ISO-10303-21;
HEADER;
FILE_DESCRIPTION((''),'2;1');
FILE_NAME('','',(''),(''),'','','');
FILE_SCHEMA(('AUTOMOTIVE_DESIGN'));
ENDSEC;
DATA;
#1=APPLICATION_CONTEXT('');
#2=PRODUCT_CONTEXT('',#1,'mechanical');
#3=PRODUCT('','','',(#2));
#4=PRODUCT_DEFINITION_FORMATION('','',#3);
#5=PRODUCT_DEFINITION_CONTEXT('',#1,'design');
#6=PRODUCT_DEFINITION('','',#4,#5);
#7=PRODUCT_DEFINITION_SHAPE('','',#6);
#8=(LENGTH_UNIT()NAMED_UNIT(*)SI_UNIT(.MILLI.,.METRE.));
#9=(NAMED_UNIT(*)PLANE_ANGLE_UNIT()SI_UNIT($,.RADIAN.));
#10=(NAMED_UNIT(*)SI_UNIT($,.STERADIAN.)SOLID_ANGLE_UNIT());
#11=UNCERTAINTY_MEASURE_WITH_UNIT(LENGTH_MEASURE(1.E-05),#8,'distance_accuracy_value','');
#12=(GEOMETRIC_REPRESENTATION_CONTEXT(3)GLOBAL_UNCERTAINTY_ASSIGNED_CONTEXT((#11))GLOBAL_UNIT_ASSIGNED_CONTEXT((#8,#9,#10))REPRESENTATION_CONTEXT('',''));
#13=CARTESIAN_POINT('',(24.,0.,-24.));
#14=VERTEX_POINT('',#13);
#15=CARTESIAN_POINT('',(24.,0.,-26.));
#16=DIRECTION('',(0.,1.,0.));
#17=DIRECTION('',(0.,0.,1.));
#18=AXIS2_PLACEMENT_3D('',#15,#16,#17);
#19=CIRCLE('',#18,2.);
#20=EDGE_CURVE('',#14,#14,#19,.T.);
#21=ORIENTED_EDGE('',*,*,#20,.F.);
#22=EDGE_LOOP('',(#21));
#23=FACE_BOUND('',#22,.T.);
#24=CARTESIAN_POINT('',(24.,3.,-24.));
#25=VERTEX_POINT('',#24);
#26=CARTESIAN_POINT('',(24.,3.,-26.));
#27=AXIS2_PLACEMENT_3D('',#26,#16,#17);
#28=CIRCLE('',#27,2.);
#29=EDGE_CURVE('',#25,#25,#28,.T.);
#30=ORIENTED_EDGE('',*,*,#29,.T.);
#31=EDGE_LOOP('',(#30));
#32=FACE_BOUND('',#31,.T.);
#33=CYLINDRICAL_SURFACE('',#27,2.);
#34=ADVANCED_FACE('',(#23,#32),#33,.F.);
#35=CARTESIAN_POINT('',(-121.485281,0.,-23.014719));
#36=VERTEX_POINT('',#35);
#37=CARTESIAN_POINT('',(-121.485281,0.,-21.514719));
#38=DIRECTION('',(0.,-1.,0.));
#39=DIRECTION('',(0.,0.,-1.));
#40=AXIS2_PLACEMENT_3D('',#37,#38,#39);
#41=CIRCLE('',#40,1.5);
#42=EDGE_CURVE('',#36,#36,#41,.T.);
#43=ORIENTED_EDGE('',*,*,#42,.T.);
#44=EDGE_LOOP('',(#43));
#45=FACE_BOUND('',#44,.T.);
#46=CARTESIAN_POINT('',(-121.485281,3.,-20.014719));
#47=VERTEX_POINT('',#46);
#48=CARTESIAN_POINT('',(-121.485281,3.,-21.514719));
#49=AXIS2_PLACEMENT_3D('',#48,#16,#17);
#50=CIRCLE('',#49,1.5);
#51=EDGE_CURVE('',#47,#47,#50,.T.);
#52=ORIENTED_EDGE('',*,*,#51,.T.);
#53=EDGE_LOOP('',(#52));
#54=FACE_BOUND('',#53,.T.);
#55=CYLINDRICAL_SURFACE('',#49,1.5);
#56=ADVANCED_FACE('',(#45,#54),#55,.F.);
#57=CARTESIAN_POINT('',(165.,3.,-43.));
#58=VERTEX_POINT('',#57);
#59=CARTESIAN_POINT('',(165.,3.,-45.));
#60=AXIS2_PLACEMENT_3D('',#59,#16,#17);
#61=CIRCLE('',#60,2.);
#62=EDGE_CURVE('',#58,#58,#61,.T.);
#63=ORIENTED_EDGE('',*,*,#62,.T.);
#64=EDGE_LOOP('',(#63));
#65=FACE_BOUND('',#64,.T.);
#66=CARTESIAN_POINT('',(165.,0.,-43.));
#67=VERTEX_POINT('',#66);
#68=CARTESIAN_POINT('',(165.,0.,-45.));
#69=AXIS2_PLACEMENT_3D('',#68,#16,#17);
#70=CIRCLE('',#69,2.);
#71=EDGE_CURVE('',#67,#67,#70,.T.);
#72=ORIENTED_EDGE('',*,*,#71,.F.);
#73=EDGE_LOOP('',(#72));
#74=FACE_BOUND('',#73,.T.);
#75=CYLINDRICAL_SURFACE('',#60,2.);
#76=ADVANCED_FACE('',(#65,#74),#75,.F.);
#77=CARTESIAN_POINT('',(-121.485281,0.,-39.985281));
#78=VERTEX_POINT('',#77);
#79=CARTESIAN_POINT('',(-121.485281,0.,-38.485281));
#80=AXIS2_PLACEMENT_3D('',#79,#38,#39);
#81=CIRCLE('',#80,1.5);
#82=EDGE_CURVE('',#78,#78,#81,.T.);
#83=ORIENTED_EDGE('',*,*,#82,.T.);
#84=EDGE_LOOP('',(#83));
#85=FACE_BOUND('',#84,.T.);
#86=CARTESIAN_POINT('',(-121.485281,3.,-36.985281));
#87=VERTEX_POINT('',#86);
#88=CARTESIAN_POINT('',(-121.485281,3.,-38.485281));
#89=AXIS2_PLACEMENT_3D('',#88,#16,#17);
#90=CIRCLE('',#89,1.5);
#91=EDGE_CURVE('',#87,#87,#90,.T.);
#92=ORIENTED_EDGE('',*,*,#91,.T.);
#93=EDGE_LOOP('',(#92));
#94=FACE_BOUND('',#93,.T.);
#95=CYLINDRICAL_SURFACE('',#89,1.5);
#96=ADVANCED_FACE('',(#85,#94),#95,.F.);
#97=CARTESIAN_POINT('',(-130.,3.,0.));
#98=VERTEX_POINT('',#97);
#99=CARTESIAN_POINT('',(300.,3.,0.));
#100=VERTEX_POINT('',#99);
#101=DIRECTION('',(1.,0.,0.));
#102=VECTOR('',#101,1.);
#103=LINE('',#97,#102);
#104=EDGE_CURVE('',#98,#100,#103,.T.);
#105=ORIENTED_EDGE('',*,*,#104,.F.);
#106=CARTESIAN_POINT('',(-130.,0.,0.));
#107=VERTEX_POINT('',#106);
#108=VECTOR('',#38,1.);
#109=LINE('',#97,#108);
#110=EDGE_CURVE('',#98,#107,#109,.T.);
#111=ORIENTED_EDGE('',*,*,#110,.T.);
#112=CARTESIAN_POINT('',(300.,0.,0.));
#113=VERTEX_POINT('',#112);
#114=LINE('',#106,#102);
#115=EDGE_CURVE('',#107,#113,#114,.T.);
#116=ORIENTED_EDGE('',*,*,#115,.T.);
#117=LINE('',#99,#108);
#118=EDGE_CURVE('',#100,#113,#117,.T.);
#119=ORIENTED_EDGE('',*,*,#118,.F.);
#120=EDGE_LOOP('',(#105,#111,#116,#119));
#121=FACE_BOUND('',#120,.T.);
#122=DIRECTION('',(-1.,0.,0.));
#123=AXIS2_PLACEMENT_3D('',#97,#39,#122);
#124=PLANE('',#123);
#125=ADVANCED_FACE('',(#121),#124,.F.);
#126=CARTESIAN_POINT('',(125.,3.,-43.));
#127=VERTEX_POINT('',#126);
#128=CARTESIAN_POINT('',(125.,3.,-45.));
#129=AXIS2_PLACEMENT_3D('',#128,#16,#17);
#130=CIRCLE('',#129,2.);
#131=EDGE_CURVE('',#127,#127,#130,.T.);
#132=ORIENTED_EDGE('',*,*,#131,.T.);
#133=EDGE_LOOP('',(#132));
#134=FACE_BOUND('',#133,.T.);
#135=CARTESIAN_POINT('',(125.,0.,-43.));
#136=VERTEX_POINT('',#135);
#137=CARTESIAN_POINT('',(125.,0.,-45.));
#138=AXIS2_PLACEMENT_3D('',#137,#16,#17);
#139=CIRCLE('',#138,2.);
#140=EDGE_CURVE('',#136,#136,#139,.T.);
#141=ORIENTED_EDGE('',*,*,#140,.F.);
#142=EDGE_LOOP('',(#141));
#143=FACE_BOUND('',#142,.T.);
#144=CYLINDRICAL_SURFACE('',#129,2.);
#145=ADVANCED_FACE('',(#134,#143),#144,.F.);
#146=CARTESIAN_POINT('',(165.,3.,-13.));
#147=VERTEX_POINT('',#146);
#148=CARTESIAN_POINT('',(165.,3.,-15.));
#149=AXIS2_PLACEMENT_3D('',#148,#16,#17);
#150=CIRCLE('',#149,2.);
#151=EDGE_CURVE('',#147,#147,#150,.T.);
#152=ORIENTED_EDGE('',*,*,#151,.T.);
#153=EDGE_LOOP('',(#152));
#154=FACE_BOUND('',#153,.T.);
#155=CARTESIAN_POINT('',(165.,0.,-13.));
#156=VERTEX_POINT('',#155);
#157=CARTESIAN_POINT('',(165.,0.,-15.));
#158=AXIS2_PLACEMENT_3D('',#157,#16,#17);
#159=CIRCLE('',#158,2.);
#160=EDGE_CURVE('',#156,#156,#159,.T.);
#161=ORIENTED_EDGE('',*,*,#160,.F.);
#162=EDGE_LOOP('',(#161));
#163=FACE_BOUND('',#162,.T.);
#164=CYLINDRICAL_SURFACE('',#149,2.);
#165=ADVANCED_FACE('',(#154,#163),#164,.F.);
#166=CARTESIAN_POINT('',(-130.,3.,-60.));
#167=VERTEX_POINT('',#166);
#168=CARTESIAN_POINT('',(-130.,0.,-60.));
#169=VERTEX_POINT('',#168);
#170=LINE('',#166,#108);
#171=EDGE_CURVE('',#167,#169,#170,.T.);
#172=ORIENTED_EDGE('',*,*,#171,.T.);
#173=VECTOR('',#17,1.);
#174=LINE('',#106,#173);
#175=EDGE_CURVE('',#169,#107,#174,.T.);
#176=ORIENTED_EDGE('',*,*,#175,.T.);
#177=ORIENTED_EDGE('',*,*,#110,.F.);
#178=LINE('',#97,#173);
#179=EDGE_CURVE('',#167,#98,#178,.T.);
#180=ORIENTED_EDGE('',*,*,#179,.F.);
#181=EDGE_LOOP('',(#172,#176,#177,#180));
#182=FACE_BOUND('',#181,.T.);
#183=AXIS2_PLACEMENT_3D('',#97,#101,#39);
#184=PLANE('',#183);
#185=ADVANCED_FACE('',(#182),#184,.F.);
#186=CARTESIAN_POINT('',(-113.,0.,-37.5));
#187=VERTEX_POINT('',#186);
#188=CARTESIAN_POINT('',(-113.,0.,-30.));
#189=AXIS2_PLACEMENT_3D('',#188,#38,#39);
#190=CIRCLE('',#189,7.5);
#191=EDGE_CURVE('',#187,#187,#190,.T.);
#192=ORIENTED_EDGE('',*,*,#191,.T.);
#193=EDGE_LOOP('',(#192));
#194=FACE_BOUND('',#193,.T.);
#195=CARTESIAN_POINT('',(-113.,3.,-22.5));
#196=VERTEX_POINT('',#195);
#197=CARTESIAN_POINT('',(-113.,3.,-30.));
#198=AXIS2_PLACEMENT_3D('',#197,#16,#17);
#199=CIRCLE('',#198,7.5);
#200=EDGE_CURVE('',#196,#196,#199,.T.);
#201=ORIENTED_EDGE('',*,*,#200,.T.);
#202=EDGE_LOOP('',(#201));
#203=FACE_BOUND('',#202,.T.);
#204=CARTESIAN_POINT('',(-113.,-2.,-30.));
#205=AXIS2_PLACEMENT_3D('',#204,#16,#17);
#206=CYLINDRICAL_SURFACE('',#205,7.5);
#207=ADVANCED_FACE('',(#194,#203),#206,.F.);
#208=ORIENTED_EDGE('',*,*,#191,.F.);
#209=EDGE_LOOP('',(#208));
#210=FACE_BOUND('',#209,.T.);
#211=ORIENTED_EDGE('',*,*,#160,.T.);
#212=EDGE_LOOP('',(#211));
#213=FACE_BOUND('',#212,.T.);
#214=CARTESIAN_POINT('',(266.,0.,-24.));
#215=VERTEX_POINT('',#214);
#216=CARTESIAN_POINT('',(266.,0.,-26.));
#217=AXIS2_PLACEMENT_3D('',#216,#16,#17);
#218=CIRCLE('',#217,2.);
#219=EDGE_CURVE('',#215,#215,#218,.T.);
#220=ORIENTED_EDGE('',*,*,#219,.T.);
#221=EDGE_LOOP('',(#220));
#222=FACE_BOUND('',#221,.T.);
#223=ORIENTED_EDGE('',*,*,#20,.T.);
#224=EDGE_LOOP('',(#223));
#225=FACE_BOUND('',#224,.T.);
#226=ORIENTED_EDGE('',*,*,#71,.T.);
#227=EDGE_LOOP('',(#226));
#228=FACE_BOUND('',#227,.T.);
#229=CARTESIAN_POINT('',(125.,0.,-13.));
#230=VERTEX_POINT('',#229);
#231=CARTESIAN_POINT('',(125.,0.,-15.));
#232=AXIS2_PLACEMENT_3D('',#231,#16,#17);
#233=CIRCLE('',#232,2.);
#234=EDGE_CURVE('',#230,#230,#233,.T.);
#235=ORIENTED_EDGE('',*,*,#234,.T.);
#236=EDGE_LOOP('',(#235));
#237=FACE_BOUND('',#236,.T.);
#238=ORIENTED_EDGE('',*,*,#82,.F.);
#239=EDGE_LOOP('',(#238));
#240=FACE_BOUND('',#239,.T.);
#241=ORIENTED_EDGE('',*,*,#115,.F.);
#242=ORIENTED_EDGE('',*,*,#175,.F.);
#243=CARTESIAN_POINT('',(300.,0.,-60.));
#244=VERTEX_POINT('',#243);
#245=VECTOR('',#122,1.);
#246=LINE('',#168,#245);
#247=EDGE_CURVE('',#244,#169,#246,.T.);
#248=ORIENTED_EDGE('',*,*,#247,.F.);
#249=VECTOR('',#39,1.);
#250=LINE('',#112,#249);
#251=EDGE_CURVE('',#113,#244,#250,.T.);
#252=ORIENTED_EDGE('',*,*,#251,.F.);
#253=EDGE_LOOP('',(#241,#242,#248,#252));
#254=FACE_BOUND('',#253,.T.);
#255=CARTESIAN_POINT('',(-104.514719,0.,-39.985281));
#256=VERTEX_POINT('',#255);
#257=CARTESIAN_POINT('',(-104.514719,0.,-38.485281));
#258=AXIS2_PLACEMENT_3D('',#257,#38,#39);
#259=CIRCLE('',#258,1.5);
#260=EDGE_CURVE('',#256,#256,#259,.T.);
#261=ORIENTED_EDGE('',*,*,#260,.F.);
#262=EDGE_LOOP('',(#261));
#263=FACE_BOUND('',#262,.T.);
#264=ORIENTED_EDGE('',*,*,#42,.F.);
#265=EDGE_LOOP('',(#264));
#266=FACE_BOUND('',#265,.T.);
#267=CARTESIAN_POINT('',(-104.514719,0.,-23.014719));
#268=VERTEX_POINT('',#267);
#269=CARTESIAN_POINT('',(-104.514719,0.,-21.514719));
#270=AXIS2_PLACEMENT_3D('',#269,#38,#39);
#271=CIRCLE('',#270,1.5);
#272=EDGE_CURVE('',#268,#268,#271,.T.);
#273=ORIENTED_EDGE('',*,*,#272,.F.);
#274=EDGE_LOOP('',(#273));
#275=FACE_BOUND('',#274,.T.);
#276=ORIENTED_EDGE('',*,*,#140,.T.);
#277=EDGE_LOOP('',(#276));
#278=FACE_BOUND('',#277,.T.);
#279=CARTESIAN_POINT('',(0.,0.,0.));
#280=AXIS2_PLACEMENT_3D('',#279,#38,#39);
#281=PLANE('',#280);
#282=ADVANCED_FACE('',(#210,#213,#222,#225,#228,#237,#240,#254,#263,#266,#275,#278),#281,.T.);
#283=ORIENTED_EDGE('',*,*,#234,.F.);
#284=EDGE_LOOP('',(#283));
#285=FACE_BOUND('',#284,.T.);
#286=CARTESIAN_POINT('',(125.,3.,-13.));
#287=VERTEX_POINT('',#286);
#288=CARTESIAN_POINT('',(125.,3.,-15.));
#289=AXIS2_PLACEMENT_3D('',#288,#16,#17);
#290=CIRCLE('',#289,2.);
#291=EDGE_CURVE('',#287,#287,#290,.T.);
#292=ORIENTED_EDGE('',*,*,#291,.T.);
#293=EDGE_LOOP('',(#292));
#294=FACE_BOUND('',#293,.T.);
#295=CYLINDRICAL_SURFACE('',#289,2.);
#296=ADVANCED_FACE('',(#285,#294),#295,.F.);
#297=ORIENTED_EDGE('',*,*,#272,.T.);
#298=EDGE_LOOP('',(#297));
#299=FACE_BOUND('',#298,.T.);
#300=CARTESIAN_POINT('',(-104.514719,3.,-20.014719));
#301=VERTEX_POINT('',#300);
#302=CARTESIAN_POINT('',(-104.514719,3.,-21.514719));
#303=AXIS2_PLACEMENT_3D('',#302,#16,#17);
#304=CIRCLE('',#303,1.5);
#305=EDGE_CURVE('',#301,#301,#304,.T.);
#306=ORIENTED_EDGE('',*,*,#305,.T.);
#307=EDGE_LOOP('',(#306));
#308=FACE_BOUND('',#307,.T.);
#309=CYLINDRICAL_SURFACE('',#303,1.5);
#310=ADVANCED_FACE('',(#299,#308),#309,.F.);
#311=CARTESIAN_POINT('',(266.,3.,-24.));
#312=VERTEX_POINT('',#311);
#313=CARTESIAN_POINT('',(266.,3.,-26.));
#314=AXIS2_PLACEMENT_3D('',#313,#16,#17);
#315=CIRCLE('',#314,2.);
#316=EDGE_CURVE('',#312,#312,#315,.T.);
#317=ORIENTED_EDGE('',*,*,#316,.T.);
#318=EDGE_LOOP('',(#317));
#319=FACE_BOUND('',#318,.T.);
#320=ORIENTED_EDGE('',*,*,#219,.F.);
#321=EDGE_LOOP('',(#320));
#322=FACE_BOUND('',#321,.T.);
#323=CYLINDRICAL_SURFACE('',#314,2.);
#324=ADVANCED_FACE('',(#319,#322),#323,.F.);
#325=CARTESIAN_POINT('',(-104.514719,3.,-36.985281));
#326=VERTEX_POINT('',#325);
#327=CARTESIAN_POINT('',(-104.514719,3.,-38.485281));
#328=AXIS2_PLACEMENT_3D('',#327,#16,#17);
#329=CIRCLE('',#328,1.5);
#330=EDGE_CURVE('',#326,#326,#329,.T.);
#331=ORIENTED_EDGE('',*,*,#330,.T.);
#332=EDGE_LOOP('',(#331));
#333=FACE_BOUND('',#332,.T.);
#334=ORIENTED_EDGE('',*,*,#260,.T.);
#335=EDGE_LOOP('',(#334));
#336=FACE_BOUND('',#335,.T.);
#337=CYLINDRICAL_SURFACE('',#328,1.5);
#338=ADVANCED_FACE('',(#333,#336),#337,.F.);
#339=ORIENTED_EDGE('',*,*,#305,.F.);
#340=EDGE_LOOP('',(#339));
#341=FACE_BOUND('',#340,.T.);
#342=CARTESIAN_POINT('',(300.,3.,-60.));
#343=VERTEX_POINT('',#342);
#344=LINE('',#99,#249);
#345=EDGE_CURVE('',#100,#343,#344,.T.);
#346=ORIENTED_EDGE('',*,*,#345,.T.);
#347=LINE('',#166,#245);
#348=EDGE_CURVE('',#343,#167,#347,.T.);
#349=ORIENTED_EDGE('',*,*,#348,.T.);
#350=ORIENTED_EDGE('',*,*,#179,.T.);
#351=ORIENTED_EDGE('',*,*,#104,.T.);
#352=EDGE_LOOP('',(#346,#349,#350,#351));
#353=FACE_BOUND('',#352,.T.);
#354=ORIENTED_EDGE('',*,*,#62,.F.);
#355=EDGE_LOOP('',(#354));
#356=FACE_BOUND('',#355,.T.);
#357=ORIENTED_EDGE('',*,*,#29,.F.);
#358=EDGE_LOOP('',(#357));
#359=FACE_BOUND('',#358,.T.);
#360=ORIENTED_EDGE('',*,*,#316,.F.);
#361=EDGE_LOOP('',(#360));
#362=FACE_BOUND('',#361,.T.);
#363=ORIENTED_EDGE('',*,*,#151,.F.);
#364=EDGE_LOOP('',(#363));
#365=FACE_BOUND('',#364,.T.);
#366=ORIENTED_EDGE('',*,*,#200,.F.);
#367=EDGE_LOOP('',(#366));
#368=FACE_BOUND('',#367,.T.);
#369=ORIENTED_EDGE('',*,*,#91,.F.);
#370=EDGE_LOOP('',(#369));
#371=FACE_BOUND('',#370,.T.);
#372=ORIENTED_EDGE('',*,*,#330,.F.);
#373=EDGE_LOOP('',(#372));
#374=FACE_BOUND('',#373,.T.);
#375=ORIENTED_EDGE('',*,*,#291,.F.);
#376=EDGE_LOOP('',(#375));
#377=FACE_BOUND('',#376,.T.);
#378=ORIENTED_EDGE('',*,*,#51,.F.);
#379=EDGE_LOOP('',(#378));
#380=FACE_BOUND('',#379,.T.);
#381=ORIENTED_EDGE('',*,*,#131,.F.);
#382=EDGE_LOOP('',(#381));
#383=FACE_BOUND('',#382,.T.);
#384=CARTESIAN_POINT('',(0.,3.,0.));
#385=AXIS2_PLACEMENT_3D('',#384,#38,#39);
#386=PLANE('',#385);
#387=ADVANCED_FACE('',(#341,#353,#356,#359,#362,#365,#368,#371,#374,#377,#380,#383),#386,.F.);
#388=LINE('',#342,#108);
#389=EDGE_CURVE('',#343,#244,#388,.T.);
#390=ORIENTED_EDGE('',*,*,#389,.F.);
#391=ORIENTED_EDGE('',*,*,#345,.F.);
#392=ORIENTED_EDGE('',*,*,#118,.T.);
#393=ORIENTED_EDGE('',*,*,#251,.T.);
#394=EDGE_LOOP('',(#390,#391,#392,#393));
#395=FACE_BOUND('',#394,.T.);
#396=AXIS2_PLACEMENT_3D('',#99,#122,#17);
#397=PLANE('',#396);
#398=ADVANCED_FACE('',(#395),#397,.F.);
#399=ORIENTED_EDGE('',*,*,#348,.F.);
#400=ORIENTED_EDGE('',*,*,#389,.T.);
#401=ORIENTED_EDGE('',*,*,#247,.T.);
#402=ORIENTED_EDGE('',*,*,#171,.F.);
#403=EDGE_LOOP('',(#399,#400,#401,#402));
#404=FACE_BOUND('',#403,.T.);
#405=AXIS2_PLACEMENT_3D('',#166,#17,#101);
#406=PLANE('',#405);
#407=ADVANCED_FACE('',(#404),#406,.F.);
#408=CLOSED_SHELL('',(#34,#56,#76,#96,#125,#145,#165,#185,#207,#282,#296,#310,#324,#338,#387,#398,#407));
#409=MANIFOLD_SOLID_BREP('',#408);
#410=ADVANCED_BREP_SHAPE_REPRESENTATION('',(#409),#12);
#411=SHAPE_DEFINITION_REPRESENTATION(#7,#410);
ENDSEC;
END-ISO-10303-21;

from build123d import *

# Parameters (mm, degrees)
SKETCH1_W                 = 430
SKETCH1_H                 = 60
BOSS_EXTRUDE1_DEPTH       = 3
OTW_R_POD_RUB_M41_D       = 4
SKETCH4_R                 = 7.5
CUT_EXTRUDE1_DEPTH        = 5
F_3_0MM_DOWEL_HOLE1_D     = 3
F_3_0MM_DOWEL_HOLE1_DEPTH = 6
F_3_0MM_DOWEL_HOLE1_TIP   = 0.901290929


with BuildPart() as part:
    # Sketch1 → Boss-Extrude1 (new body)
    with BuildSketch(Plane(origin=(0, 0, 0), x_dir=(1, 0, 0), z_dir=(0, 1, 0))):
        with Locations((85, 30)):
            Rectangle(SKETCH1_W, SKETCH1_H)
    extrude(amount=BOSS_EXTRUDE1_DEPTH)

    # Otwór pod śrubę M41 (through all)
    with Locations(Plane(origin=(0, 3, 0), x_dir=(1, 0, 0), z_dir=(0, 1, 0))):
        with Locations((266, 26), (24, 26), (125, 15), (165, 15), (165, 45), (125, 45)):
            Hole(OTW_R_POD_RUB_M41_D / 2)

    # Sketch4 → Cut-Extrude1 (cut)
    with BuildSketch(Plane(origin=(0, 3, 0), x_dir=(1, 0, 0), z_dir=(0, 1, 0))):
        with Locations(Location((-113, 30, 0), (0, 0, 270))):
            Circle(SKETCH4_R)
    extrude(amount=-CUT_EXTRUDE1_DEPTH, mode=Mode.SUBTRACT)

    # Ø3.0mm Dowel Hole1
    with Locations(Plane(origin=(0, 3, 0), x_dir=(1, 0, 0), z_dir=(0, 1, 0))):
        with Locations((-121.485281374, 21.514718626), (-121.485281374, 38.485281374), (-104.514718626, 21.514718626), (-104.514718626, 38.485281374)):
            Hole(F_3_0MM_DOWEL_HOLE1_D / 2, depth=F_3_0MM_DOWEL_HOLE1_DEPTH)
            with Locations((0, 0, -(F_3_0MM_DOWEL_HOLE1_DEPTH + F_3_0MM_DOWEL_HOLE1_TIP / 2))):  # 118° drill point
                Cone(0, F_3_0MM_DOWEL_HOLE1_D / 2, F_3_0MM_DOWEL_HOLE1_TIP, mode=Mode.SUBTRACT)


solid = part.part
